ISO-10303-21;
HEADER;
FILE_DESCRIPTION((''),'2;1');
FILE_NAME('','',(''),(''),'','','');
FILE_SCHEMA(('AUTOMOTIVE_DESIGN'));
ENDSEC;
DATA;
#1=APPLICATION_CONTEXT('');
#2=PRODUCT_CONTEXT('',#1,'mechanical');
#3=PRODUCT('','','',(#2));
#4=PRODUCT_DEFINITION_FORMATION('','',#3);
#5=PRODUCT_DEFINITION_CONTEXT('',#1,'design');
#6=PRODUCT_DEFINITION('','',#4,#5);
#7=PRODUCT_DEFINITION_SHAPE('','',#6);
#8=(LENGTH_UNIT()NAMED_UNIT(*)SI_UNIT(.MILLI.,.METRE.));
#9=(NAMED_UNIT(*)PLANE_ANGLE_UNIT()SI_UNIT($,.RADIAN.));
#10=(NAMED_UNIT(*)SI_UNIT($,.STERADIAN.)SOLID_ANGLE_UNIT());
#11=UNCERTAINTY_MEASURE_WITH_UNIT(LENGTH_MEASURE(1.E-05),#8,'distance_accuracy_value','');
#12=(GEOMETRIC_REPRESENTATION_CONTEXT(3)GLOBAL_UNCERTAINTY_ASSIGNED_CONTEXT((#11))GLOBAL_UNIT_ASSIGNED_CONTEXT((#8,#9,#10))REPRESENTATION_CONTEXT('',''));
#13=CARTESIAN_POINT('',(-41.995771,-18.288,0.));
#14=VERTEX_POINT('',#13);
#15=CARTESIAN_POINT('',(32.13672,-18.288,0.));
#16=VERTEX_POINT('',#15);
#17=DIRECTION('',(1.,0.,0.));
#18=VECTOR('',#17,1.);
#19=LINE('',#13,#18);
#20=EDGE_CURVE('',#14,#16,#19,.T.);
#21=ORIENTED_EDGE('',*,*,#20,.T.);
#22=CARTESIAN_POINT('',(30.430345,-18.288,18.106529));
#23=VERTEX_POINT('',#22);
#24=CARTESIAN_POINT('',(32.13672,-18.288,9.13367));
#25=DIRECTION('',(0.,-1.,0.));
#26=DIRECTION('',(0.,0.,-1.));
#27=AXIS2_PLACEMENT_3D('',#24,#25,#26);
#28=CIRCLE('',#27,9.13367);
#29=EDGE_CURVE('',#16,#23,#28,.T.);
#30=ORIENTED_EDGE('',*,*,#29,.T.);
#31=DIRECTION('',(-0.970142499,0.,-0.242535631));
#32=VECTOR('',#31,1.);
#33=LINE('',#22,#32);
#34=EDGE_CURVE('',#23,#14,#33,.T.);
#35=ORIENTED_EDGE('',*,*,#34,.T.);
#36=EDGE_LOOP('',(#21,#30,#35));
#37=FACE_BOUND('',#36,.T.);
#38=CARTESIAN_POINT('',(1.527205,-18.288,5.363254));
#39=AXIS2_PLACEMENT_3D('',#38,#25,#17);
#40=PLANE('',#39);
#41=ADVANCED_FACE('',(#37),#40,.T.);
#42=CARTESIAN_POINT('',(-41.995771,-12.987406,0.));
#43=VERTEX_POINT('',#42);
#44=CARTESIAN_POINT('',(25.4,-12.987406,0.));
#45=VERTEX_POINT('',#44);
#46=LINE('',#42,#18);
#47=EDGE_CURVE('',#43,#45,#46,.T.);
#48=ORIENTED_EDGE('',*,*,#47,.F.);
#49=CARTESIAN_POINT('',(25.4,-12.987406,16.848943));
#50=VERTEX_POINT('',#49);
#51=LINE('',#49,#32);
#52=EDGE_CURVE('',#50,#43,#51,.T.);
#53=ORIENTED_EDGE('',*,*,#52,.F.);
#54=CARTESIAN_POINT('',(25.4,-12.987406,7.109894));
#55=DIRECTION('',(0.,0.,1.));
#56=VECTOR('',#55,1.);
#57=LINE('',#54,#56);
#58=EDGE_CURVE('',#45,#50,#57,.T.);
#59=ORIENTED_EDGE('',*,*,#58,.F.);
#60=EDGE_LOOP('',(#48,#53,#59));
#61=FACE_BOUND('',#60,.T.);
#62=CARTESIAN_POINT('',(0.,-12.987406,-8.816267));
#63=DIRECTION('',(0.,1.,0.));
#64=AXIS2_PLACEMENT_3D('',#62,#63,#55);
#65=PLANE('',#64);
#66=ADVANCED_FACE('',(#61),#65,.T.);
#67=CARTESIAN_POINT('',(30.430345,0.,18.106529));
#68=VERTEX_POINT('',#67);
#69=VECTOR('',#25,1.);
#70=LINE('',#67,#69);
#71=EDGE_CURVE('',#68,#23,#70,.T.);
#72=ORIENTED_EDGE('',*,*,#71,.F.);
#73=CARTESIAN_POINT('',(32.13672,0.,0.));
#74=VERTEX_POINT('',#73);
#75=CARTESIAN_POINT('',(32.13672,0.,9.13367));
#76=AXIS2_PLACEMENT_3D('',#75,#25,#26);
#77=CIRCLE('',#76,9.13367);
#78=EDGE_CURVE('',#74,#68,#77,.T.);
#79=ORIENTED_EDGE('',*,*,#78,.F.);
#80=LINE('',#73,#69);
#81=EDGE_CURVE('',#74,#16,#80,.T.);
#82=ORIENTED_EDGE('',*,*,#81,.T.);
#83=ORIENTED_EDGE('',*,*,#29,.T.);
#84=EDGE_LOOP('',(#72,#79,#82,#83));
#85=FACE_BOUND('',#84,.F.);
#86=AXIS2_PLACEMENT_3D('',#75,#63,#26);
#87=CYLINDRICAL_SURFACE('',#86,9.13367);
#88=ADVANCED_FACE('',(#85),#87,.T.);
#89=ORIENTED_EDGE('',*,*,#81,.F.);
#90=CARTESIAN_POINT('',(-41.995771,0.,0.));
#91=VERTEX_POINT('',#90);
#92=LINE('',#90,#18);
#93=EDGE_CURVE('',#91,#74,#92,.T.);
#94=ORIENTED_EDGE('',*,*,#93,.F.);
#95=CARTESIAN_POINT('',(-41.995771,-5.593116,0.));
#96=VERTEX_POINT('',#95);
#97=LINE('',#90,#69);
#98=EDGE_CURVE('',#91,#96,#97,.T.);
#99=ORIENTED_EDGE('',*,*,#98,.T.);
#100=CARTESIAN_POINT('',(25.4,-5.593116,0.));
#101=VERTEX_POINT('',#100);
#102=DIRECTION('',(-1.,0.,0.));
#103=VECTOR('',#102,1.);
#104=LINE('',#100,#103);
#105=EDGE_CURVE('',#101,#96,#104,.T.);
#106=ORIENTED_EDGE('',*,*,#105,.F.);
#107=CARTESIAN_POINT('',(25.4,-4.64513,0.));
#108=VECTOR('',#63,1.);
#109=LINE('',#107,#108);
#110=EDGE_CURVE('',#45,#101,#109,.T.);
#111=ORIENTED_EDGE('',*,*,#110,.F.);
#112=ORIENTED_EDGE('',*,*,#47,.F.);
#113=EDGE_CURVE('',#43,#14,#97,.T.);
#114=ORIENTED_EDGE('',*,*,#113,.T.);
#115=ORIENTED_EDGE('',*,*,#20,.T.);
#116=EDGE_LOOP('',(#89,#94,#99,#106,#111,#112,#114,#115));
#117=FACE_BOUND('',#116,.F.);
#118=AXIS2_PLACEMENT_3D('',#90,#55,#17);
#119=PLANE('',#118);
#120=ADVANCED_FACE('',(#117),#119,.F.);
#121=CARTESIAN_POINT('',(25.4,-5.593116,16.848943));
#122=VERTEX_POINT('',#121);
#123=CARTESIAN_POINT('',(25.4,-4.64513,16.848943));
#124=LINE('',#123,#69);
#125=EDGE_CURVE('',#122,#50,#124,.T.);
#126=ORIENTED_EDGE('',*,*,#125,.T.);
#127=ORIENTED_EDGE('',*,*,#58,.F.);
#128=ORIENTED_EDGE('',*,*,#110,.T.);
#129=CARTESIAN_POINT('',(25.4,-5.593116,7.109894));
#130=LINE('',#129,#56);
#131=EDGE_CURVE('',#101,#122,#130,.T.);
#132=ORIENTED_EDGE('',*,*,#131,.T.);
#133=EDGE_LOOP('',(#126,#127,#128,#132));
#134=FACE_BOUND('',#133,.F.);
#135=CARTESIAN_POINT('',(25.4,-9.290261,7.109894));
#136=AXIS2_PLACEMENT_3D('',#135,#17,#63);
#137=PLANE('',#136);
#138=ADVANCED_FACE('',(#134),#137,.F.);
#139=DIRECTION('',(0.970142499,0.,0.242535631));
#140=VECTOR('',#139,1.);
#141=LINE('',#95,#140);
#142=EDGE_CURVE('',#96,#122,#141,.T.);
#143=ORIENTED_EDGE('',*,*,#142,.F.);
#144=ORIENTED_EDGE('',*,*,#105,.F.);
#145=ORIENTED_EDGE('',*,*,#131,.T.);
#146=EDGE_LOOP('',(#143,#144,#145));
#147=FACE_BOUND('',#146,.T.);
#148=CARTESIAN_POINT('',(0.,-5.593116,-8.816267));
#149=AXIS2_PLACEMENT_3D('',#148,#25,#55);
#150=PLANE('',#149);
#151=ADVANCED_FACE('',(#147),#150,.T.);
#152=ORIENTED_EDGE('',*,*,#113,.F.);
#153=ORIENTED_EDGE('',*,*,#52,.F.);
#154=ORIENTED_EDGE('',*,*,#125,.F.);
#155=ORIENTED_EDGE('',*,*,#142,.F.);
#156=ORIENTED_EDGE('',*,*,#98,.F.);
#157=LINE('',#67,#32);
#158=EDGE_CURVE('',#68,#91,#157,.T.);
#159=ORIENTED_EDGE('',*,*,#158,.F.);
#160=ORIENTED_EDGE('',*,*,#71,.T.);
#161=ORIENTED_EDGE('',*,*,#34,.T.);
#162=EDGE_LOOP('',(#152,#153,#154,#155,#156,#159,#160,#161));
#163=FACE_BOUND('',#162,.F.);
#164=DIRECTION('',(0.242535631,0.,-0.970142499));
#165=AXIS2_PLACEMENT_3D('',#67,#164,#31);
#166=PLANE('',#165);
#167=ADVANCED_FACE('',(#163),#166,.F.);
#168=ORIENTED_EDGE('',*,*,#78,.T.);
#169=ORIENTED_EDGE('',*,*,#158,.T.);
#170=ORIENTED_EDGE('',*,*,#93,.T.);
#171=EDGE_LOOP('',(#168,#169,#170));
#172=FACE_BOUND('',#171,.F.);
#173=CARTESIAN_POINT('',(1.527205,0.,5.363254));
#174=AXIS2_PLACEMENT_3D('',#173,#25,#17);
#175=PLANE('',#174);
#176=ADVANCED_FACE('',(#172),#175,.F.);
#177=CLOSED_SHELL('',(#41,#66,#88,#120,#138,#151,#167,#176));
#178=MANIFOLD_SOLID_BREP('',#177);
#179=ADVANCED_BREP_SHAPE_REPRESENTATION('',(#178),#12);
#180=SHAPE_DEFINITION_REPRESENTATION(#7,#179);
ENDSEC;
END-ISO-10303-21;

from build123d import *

# Parameters (mm, degrees)
F1_DEPTH      = 18.288
F2_W          = 7.3942900635
F2_H          = 31.8523226306
F3_DEPTH      = 54.864
F3_DEPTH_BACK = 25.4


with BuildPart() as f1:
    # F0 (on Front) → F1 (new body)
    with BuildSketch(Plane.XZ):
        with BuildLine():
            ThreePointArc((32.1367196739, 0), (41.2300981045, 9.9906376072), (30.4303448647, 18.1065294892))
            Line((30.4303448647, 18.1065294892), (-41.9957712293, 0))
            Line((-41.9957712293, 0), (32.1367196739, 0))
        make_face()
    extrude(amount=F1_DEPTH)

    # F2 (on Right) → F3 (cut, two sides)
    with BuildSketch(Plane.YZ) as f3_sk:
        with Locations((-9.2902609613, 7.1098939516)):
            Rectangle(F2_W, F2_H)
    extrude(amount=-F3_DEPTH, mode=Mode.SUBTRACT)
    extrude(f3_sk.sketch, amount=F3_DEPTH_BACK, mode=Mode.SUBTRACT)


solid = f1.part
